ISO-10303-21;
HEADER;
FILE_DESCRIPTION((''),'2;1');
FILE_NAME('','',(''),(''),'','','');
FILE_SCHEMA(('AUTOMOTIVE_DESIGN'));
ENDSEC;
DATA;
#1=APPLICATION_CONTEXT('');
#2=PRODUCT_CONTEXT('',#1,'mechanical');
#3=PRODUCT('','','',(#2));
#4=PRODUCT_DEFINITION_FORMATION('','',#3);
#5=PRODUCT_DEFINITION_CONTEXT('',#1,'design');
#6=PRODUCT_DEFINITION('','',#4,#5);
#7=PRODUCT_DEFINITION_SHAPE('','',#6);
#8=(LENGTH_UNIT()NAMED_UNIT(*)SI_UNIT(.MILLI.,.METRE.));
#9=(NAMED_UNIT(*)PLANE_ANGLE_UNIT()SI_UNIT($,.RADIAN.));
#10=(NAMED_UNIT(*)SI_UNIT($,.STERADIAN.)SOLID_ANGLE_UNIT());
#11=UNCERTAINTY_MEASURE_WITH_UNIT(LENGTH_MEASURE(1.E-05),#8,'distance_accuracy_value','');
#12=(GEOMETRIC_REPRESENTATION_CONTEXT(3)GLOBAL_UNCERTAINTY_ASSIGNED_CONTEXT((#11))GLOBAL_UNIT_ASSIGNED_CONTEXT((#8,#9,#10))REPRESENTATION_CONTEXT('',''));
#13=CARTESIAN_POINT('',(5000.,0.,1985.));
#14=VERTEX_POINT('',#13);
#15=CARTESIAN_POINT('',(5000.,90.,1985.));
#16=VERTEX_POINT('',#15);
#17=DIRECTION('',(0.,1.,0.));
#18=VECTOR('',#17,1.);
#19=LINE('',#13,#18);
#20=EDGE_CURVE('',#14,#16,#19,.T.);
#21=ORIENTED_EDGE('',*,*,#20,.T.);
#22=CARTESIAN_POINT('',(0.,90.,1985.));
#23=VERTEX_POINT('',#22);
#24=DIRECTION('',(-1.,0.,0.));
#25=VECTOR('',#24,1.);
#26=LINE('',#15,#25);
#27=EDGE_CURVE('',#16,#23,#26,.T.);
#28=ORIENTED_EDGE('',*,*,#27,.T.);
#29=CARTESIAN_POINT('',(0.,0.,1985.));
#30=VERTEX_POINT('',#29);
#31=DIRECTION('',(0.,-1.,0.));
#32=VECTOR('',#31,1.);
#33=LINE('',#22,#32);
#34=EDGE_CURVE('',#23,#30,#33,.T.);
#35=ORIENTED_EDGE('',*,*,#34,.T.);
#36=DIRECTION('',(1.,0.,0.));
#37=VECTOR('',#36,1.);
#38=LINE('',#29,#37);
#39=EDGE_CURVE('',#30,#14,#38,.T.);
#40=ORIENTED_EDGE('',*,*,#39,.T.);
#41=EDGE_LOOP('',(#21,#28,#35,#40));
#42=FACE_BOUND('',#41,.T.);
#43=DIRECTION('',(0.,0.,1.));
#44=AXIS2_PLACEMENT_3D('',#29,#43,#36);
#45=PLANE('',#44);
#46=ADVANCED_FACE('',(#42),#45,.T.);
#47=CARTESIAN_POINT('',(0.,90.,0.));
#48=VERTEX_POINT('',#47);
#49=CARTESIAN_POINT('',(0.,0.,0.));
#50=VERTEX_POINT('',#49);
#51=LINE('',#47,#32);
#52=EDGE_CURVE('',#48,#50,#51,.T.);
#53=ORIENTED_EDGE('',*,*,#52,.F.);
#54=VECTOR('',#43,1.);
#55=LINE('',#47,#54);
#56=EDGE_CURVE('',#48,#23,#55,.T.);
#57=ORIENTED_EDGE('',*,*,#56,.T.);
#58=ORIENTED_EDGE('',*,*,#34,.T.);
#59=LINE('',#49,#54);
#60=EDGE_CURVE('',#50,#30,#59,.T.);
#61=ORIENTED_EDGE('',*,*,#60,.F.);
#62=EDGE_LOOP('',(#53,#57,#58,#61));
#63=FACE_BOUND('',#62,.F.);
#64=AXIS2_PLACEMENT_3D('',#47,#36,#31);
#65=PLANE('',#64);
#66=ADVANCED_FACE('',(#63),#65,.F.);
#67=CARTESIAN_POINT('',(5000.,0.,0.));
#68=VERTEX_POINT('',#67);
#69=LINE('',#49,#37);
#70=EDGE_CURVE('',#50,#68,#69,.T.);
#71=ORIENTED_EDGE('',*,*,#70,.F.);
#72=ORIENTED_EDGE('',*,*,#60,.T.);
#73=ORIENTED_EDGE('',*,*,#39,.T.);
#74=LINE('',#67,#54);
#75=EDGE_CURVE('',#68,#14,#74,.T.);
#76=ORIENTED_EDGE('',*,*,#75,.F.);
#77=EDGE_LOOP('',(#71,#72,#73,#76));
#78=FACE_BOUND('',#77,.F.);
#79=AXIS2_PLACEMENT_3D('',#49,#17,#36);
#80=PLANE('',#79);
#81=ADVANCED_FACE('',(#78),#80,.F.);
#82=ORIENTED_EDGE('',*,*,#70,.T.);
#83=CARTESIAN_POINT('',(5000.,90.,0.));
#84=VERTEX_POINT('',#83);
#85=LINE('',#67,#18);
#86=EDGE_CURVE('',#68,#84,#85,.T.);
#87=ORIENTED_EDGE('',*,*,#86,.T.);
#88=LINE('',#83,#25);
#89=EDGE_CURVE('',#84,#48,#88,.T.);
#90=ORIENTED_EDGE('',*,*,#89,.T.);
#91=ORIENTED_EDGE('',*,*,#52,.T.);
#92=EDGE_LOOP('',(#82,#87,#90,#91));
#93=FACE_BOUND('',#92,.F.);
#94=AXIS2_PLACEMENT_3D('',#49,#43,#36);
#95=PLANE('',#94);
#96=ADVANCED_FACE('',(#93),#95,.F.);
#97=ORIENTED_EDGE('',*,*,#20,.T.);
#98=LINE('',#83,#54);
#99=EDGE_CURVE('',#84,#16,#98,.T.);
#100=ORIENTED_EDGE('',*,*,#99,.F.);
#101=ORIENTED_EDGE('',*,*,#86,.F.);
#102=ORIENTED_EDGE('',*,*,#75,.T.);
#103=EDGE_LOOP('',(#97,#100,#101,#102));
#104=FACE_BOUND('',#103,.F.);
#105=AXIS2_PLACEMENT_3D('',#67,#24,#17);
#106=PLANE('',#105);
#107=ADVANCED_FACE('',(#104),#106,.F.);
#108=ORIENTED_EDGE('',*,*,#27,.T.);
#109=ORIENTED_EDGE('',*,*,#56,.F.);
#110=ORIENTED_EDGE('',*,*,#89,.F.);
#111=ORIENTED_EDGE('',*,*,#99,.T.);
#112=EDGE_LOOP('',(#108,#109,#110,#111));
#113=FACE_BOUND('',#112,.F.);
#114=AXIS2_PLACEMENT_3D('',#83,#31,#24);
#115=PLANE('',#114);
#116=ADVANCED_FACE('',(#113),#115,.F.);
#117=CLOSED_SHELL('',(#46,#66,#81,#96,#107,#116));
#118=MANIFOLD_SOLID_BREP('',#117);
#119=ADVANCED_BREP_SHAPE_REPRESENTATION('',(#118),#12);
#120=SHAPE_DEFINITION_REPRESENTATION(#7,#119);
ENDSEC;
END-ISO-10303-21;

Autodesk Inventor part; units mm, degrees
ref_plane "YZ Plane" through (0, 0, 0) normal (1, 0, 0) x (0, 1, 0)
ref_plane "XZ Plane" through (0, 0, 0) normal (0, 1, 0) x (-1, 0, 0)
ref_plane "XY Plane" through (0, 0, 0) normal (0, 0, 1) x (1, 0, 0)
sketch "Sketch1" plane through (0, 0, 0) normal (0, 0, 1) x (1, 0, 0)
  line L0 (0, 0) -> (5000, 0)
  line L1 (5000, 0) -> (5000, 90)
  line L2 (5000, 90) -> (0, 90)
  line L3 (0, 90) -> (0, 0)
  dimension "d0" = 90
  dimension "d1" = 5000
extrude "Extrusion1" add sketch "Sketch1" along normal blind 1985
properties part number "Wand" material "Concrete"
